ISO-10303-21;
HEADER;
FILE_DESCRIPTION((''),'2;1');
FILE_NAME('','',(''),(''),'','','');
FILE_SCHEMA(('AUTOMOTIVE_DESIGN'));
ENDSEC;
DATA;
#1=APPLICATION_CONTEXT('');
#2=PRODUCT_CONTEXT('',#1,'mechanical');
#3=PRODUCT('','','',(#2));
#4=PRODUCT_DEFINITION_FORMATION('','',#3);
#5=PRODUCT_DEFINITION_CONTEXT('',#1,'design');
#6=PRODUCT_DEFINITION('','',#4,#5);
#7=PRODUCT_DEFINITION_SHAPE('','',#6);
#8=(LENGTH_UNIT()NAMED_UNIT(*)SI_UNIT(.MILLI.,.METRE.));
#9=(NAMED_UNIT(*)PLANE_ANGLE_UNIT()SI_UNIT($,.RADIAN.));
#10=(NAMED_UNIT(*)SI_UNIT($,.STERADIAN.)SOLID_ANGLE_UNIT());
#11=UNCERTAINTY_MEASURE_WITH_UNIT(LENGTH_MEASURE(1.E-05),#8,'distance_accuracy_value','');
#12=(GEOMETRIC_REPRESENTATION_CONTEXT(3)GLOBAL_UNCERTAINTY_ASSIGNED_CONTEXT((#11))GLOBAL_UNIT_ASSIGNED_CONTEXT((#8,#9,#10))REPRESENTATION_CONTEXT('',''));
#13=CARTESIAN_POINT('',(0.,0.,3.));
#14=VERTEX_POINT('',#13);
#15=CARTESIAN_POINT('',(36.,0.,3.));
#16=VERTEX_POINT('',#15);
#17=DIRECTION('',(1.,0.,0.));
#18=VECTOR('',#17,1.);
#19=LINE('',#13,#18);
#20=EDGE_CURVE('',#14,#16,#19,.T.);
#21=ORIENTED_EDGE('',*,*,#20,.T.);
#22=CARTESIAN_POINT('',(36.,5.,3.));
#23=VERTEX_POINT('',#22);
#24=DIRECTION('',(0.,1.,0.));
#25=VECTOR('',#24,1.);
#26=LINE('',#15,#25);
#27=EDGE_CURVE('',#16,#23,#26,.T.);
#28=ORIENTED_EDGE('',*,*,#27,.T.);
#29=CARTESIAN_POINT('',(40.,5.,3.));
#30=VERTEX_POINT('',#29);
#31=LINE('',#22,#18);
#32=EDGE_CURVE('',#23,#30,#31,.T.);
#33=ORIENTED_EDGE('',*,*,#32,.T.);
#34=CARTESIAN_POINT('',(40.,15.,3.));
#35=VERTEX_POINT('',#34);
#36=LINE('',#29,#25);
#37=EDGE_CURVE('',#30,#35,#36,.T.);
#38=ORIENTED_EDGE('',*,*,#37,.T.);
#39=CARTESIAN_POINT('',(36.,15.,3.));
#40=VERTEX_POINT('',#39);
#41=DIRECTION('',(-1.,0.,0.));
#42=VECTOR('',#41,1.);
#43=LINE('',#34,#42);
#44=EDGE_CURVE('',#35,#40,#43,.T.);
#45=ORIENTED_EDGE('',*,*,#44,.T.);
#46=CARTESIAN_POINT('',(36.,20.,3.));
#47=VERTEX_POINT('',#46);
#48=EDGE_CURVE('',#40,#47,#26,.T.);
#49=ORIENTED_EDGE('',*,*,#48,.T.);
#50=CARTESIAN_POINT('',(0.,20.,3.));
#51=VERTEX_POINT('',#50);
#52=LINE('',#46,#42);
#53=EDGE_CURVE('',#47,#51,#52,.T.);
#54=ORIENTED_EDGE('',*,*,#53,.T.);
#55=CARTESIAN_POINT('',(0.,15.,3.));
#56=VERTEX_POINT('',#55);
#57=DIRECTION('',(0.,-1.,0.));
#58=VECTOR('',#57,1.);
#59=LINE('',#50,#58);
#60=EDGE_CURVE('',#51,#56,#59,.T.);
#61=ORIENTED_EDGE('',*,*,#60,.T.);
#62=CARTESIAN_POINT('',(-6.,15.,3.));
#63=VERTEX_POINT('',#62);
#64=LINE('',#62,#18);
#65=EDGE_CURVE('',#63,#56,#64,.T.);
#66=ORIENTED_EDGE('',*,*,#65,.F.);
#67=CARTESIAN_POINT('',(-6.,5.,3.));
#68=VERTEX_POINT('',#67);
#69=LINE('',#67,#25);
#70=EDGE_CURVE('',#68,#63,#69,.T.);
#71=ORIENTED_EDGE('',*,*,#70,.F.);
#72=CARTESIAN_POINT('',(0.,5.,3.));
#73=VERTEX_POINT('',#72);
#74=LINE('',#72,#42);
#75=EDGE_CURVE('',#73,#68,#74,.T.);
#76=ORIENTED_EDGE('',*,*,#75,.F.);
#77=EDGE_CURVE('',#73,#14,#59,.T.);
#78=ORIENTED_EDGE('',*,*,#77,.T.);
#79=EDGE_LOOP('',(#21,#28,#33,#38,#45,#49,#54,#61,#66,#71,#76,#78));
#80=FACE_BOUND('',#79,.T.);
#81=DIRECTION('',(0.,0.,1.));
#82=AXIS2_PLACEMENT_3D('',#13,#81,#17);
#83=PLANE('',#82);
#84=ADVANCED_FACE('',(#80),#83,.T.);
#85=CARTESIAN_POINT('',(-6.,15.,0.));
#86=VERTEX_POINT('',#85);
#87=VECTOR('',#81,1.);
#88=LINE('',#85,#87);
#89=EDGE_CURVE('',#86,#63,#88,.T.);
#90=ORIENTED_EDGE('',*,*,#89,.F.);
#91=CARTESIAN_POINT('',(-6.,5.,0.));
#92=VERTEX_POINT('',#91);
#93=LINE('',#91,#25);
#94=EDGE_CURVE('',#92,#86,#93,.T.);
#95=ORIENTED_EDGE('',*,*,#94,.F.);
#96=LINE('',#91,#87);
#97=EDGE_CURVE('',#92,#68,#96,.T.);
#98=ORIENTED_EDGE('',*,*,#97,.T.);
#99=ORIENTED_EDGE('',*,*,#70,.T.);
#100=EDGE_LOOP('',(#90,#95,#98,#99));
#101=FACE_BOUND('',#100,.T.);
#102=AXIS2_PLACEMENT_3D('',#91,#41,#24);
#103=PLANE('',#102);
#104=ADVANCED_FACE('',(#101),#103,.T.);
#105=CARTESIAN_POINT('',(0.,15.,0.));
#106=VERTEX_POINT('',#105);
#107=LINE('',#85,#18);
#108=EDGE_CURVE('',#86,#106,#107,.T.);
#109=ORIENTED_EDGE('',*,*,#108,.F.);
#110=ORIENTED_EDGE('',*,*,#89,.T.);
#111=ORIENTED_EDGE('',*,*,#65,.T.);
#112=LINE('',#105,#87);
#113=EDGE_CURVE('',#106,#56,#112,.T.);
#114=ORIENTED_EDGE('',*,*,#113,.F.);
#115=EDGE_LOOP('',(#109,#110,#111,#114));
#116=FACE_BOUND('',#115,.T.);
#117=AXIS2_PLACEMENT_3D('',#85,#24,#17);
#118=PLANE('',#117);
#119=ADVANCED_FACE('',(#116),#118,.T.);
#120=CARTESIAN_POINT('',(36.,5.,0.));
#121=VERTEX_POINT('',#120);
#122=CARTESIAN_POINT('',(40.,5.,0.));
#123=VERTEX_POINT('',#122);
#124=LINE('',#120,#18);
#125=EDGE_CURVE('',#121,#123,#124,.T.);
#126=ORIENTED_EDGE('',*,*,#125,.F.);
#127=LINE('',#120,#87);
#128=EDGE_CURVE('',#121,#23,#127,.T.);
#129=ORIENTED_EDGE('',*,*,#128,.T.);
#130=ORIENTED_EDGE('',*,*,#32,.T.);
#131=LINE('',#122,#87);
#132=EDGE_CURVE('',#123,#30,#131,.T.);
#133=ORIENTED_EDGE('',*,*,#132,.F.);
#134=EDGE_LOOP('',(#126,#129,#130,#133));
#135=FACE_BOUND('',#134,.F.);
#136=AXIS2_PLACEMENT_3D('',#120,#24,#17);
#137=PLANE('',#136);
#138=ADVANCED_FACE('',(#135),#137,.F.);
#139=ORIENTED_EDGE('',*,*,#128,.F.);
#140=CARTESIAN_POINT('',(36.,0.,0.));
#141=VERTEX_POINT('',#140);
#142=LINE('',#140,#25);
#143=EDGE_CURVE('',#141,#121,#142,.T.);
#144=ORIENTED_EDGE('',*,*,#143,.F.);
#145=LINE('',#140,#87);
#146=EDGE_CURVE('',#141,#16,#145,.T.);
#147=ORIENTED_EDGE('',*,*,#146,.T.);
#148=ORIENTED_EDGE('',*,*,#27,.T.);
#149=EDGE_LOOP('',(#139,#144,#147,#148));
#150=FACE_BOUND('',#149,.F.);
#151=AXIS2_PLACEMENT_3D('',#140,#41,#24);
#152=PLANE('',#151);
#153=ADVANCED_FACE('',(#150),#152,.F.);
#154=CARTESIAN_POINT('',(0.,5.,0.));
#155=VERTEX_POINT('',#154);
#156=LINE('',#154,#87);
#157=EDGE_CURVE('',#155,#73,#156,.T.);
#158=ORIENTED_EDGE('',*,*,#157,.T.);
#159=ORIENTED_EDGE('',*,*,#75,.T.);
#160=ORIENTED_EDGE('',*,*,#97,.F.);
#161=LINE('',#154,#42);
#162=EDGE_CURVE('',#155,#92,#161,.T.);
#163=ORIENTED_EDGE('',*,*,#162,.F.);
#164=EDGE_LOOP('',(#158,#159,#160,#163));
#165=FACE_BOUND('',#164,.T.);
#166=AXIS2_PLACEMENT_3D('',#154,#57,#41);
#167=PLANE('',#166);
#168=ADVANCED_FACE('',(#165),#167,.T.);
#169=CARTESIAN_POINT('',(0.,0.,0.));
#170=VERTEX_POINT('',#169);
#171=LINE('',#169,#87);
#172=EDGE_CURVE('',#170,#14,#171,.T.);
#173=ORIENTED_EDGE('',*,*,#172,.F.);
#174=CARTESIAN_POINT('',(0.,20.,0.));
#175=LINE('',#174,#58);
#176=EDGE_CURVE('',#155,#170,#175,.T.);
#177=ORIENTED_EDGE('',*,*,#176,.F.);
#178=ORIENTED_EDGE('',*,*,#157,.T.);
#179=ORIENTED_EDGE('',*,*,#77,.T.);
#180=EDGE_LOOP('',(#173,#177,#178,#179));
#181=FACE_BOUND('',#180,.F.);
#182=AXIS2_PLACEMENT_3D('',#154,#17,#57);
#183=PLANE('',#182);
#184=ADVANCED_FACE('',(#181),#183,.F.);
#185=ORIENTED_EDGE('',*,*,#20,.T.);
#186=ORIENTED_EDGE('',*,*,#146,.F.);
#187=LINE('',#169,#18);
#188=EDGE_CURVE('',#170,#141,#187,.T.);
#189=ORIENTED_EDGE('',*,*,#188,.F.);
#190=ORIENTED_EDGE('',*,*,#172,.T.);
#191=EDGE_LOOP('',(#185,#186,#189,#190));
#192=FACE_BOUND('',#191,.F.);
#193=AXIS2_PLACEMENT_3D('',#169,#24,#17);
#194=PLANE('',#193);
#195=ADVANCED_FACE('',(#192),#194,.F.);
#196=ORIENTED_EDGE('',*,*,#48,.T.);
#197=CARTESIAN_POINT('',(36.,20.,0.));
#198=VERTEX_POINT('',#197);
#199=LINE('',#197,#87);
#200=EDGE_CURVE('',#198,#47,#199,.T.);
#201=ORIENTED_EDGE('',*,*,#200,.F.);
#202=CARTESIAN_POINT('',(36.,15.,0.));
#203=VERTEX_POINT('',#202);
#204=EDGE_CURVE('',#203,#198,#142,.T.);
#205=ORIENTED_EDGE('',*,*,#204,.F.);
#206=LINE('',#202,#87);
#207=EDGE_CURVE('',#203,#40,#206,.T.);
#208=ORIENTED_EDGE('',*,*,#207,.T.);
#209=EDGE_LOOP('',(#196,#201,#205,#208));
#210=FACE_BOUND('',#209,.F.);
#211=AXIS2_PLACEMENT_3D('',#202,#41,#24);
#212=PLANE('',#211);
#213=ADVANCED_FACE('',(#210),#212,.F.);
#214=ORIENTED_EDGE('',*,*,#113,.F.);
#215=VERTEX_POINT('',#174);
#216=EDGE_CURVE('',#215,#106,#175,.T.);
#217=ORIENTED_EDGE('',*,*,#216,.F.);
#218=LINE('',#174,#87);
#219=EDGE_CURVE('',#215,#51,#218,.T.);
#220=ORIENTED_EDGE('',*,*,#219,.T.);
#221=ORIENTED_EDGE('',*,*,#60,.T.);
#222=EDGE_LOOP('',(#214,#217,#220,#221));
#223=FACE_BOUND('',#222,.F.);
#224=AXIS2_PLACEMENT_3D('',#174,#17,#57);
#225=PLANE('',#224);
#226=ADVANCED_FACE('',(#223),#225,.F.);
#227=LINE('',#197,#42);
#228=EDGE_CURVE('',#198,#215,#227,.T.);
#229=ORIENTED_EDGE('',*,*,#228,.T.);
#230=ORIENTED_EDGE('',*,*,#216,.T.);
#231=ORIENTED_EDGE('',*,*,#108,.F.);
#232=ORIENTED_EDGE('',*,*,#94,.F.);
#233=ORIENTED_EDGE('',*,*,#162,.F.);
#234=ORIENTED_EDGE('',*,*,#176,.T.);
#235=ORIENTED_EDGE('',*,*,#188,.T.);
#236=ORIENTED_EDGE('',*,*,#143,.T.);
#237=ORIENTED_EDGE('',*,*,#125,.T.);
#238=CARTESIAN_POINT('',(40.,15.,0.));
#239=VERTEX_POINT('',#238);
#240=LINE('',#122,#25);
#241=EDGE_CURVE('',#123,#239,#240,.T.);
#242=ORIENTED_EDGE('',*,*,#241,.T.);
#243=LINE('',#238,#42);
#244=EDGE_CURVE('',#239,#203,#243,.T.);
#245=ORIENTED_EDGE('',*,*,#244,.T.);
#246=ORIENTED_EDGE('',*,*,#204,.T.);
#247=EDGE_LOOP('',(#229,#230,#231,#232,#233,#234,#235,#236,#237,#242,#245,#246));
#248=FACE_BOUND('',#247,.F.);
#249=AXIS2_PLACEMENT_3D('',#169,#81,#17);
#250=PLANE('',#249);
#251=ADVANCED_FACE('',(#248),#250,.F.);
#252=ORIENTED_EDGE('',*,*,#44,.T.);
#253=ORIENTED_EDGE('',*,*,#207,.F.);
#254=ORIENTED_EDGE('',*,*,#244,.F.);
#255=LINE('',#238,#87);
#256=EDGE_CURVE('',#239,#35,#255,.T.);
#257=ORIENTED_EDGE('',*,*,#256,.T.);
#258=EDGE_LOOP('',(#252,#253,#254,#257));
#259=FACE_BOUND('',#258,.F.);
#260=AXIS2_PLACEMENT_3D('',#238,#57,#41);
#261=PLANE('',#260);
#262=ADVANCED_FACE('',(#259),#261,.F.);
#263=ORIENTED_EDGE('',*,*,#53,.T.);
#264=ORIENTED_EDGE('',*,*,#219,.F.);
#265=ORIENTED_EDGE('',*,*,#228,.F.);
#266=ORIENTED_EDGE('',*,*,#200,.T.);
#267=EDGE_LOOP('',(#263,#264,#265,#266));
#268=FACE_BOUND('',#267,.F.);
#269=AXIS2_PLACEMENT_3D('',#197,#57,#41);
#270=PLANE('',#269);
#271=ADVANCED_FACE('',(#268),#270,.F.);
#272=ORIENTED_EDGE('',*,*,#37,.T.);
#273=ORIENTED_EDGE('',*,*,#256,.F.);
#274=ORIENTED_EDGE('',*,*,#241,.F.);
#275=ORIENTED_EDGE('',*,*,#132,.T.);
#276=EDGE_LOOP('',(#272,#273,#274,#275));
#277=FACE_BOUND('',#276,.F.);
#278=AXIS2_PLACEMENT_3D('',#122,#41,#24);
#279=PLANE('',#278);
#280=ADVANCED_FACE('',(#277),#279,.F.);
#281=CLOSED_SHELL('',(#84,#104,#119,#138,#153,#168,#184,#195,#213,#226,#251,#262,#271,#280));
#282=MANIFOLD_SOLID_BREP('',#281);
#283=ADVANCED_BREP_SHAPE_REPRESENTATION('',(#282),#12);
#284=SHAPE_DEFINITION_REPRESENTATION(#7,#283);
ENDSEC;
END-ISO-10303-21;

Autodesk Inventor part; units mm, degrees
ref_plane "YZ Plane" through (0, 0, 0) normal (1, 0, 0) x (0, 1, 0)
ref_plane "XZ Plane" through (0, 0, 0) normal (0, 1, 0) x (-1, 0, 0)
ref_plane "XY Plane" through (0, 0, 0) normal (0, 0, 1) x (1, 0, 0)
sketch "Sketch1" plane through (0, 0, 0) normal (0, 0, 1) x (1, 0, 0)
  line L0 (0, 0) -> (36, 0)
  line L1 (36, 0) -> (36, 20)
  line L2 (36, 20) -> (0, 20)
  line L3 (0, 20) -> (0, 0)
  line L4 (-6, 15) -> (0, 15)
  line L5 (0, 15) -> (0, 5)
  line L6 (0, 5) -> (-6, 5)
  line L7 (-6, 5) -> (-6, 15)
  line L8 (-6, 15) -> (0, 5) construction
  line L9 (0, 15) -> (-6, 5) construction
  line L10 (40, 15) -> (36, 15)
  line L11 (36, 15) -> (36, 5)
  line L12 (36, 5) -> (40, 5)
  line L13 (40, 5) -> (40, 15)
  line L14 (40, 15) -> (36, 5) construction
  line L15 (36, 15) -> (40, 5) construction
  point P0 (-3, 10)
  point P1 (38, 10)
  dimension "d0" = 36
  dimension "d1" = 20
  dimension "d2" = 4
  dimension "d3" = 6
  dimension "d4" = 10
  dimension "d5" = 10
extrude "Extrusion1" add sketch "Sketch1" along normal blind 3
properties part number "Battary_holder_part3"
